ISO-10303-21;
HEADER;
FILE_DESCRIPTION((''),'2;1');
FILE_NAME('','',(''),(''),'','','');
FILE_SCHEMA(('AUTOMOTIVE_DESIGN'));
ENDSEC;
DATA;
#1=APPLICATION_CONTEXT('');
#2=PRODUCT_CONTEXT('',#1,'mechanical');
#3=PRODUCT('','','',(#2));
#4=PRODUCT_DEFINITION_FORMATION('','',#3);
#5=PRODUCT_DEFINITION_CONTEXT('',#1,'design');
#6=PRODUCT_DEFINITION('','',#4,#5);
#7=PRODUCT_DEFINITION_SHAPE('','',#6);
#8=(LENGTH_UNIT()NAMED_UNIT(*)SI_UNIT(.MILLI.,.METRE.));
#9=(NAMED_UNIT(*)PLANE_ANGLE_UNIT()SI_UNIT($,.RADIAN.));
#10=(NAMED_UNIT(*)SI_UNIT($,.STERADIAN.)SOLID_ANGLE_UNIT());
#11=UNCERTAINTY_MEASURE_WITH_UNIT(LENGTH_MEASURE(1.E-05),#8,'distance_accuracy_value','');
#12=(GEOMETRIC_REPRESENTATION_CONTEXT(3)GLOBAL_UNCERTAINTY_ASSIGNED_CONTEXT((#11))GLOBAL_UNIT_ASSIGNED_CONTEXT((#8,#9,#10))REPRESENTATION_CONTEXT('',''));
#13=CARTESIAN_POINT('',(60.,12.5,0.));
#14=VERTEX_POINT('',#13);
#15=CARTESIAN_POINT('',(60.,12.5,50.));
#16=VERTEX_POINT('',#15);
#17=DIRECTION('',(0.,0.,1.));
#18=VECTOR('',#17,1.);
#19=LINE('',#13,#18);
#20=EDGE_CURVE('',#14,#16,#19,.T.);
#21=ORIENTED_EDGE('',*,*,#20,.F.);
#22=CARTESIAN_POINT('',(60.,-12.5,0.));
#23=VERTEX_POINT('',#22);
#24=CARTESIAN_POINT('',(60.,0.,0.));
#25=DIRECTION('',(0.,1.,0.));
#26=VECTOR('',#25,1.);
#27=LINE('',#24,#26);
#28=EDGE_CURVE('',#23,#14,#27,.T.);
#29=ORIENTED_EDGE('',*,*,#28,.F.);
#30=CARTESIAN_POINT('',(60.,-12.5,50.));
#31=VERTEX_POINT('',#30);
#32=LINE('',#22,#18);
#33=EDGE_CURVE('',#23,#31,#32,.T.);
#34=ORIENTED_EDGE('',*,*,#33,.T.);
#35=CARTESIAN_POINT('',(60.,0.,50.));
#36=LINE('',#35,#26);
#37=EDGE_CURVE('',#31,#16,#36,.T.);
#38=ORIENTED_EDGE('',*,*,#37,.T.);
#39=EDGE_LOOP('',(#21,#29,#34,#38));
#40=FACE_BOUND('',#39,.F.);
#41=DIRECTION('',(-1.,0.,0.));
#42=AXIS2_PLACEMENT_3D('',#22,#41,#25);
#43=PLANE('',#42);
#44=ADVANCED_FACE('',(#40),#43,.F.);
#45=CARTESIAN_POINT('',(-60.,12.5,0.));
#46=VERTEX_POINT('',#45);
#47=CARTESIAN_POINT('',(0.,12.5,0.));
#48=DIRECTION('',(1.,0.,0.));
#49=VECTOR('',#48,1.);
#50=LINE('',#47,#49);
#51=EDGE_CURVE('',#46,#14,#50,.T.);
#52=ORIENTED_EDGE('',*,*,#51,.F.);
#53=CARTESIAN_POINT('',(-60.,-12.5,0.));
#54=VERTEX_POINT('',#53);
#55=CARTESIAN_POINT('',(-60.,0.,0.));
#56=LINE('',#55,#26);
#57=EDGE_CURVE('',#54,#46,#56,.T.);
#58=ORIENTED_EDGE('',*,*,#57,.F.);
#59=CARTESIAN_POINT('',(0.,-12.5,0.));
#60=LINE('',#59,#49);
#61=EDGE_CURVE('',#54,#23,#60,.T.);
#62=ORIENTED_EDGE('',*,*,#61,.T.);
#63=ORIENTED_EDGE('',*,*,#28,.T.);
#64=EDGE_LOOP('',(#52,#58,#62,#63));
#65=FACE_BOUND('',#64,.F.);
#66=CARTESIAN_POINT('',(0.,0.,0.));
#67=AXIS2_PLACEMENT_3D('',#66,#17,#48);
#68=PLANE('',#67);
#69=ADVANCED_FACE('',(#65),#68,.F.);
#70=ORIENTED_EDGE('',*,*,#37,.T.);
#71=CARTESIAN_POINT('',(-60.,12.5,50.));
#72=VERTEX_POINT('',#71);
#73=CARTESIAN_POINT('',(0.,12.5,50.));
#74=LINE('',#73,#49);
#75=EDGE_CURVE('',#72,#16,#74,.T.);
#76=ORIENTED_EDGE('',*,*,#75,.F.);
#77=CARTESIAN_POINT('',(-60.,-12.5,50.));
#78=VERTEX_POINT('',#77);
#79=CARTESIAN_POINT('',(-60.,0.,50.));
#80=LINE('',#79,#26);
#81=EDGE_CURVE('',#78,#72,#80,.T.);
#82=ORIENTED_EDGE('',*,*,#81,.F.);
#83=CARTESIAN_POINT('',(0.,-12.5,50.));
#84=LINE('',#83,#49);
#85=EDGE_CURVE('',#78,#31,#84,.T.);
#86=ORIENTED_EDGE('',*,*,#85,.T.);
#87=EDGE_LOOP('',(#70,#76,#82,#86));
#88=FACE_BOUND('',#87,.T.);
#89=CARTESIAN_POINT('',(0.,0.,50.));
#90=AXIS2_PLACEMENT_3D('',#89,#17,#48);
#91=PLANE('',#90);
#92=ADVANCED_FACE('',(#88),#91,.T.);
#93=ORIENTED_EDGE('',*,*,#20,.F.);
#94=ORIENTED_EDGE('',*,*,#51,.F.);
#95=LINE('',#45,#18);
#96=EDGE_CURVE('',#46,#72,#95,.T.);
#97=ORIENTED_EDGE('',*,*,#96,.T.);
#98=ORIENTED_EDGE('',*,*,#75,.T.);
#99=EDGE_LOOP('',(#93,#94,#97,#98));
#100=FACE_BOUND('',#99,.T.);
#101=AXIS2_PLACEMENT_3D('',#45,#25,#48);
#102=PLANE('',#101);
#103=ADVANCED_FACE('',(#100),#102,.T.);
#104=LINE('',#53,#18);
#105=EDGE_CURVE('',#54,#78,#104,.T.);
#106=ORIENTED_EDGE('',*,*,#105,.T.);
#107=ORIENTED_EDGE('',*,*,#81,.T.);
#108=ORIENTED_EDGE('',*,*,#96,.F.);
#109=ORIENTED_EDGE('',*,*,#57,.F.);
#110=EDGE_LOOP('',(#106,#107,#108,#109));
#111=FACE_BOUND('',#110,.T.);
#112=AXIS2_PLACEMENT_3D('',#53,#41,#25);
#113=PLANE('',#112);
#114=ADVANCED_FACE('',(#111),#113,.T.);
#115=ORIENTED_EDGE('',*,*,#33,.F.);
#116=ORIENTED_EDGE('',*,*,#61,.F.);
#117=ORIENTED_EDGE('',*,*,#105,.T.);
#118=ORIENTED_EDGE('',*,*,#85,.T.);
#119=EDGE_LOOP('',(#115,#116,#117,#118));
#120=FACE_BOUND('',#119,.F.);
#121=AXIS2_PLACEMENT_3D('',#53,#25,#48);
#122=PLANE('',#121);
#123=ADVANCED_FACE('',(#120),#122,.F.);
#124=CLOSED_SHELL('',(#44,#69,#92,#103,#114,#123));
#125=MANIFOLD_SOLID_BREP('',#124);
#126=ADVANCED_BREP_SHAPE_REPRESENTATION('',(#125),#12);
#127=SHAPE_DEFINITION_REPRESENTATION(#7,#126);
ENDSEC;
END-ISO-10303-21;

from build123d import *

# Parameters (mm, degrees)
SKETCH_W      = 120
SKETCH_H      = 25
EXTRUDE_DEPTH = 50


with BuildPart() as part:
    # Sketch → Extrude (new body)
    with BuildSketch(Plane.XY):
        Rectangle(SKETCH_W, SKETCH_H)
    extrude(amount=EXTRUDE_DEPTH)


solid = part.part
